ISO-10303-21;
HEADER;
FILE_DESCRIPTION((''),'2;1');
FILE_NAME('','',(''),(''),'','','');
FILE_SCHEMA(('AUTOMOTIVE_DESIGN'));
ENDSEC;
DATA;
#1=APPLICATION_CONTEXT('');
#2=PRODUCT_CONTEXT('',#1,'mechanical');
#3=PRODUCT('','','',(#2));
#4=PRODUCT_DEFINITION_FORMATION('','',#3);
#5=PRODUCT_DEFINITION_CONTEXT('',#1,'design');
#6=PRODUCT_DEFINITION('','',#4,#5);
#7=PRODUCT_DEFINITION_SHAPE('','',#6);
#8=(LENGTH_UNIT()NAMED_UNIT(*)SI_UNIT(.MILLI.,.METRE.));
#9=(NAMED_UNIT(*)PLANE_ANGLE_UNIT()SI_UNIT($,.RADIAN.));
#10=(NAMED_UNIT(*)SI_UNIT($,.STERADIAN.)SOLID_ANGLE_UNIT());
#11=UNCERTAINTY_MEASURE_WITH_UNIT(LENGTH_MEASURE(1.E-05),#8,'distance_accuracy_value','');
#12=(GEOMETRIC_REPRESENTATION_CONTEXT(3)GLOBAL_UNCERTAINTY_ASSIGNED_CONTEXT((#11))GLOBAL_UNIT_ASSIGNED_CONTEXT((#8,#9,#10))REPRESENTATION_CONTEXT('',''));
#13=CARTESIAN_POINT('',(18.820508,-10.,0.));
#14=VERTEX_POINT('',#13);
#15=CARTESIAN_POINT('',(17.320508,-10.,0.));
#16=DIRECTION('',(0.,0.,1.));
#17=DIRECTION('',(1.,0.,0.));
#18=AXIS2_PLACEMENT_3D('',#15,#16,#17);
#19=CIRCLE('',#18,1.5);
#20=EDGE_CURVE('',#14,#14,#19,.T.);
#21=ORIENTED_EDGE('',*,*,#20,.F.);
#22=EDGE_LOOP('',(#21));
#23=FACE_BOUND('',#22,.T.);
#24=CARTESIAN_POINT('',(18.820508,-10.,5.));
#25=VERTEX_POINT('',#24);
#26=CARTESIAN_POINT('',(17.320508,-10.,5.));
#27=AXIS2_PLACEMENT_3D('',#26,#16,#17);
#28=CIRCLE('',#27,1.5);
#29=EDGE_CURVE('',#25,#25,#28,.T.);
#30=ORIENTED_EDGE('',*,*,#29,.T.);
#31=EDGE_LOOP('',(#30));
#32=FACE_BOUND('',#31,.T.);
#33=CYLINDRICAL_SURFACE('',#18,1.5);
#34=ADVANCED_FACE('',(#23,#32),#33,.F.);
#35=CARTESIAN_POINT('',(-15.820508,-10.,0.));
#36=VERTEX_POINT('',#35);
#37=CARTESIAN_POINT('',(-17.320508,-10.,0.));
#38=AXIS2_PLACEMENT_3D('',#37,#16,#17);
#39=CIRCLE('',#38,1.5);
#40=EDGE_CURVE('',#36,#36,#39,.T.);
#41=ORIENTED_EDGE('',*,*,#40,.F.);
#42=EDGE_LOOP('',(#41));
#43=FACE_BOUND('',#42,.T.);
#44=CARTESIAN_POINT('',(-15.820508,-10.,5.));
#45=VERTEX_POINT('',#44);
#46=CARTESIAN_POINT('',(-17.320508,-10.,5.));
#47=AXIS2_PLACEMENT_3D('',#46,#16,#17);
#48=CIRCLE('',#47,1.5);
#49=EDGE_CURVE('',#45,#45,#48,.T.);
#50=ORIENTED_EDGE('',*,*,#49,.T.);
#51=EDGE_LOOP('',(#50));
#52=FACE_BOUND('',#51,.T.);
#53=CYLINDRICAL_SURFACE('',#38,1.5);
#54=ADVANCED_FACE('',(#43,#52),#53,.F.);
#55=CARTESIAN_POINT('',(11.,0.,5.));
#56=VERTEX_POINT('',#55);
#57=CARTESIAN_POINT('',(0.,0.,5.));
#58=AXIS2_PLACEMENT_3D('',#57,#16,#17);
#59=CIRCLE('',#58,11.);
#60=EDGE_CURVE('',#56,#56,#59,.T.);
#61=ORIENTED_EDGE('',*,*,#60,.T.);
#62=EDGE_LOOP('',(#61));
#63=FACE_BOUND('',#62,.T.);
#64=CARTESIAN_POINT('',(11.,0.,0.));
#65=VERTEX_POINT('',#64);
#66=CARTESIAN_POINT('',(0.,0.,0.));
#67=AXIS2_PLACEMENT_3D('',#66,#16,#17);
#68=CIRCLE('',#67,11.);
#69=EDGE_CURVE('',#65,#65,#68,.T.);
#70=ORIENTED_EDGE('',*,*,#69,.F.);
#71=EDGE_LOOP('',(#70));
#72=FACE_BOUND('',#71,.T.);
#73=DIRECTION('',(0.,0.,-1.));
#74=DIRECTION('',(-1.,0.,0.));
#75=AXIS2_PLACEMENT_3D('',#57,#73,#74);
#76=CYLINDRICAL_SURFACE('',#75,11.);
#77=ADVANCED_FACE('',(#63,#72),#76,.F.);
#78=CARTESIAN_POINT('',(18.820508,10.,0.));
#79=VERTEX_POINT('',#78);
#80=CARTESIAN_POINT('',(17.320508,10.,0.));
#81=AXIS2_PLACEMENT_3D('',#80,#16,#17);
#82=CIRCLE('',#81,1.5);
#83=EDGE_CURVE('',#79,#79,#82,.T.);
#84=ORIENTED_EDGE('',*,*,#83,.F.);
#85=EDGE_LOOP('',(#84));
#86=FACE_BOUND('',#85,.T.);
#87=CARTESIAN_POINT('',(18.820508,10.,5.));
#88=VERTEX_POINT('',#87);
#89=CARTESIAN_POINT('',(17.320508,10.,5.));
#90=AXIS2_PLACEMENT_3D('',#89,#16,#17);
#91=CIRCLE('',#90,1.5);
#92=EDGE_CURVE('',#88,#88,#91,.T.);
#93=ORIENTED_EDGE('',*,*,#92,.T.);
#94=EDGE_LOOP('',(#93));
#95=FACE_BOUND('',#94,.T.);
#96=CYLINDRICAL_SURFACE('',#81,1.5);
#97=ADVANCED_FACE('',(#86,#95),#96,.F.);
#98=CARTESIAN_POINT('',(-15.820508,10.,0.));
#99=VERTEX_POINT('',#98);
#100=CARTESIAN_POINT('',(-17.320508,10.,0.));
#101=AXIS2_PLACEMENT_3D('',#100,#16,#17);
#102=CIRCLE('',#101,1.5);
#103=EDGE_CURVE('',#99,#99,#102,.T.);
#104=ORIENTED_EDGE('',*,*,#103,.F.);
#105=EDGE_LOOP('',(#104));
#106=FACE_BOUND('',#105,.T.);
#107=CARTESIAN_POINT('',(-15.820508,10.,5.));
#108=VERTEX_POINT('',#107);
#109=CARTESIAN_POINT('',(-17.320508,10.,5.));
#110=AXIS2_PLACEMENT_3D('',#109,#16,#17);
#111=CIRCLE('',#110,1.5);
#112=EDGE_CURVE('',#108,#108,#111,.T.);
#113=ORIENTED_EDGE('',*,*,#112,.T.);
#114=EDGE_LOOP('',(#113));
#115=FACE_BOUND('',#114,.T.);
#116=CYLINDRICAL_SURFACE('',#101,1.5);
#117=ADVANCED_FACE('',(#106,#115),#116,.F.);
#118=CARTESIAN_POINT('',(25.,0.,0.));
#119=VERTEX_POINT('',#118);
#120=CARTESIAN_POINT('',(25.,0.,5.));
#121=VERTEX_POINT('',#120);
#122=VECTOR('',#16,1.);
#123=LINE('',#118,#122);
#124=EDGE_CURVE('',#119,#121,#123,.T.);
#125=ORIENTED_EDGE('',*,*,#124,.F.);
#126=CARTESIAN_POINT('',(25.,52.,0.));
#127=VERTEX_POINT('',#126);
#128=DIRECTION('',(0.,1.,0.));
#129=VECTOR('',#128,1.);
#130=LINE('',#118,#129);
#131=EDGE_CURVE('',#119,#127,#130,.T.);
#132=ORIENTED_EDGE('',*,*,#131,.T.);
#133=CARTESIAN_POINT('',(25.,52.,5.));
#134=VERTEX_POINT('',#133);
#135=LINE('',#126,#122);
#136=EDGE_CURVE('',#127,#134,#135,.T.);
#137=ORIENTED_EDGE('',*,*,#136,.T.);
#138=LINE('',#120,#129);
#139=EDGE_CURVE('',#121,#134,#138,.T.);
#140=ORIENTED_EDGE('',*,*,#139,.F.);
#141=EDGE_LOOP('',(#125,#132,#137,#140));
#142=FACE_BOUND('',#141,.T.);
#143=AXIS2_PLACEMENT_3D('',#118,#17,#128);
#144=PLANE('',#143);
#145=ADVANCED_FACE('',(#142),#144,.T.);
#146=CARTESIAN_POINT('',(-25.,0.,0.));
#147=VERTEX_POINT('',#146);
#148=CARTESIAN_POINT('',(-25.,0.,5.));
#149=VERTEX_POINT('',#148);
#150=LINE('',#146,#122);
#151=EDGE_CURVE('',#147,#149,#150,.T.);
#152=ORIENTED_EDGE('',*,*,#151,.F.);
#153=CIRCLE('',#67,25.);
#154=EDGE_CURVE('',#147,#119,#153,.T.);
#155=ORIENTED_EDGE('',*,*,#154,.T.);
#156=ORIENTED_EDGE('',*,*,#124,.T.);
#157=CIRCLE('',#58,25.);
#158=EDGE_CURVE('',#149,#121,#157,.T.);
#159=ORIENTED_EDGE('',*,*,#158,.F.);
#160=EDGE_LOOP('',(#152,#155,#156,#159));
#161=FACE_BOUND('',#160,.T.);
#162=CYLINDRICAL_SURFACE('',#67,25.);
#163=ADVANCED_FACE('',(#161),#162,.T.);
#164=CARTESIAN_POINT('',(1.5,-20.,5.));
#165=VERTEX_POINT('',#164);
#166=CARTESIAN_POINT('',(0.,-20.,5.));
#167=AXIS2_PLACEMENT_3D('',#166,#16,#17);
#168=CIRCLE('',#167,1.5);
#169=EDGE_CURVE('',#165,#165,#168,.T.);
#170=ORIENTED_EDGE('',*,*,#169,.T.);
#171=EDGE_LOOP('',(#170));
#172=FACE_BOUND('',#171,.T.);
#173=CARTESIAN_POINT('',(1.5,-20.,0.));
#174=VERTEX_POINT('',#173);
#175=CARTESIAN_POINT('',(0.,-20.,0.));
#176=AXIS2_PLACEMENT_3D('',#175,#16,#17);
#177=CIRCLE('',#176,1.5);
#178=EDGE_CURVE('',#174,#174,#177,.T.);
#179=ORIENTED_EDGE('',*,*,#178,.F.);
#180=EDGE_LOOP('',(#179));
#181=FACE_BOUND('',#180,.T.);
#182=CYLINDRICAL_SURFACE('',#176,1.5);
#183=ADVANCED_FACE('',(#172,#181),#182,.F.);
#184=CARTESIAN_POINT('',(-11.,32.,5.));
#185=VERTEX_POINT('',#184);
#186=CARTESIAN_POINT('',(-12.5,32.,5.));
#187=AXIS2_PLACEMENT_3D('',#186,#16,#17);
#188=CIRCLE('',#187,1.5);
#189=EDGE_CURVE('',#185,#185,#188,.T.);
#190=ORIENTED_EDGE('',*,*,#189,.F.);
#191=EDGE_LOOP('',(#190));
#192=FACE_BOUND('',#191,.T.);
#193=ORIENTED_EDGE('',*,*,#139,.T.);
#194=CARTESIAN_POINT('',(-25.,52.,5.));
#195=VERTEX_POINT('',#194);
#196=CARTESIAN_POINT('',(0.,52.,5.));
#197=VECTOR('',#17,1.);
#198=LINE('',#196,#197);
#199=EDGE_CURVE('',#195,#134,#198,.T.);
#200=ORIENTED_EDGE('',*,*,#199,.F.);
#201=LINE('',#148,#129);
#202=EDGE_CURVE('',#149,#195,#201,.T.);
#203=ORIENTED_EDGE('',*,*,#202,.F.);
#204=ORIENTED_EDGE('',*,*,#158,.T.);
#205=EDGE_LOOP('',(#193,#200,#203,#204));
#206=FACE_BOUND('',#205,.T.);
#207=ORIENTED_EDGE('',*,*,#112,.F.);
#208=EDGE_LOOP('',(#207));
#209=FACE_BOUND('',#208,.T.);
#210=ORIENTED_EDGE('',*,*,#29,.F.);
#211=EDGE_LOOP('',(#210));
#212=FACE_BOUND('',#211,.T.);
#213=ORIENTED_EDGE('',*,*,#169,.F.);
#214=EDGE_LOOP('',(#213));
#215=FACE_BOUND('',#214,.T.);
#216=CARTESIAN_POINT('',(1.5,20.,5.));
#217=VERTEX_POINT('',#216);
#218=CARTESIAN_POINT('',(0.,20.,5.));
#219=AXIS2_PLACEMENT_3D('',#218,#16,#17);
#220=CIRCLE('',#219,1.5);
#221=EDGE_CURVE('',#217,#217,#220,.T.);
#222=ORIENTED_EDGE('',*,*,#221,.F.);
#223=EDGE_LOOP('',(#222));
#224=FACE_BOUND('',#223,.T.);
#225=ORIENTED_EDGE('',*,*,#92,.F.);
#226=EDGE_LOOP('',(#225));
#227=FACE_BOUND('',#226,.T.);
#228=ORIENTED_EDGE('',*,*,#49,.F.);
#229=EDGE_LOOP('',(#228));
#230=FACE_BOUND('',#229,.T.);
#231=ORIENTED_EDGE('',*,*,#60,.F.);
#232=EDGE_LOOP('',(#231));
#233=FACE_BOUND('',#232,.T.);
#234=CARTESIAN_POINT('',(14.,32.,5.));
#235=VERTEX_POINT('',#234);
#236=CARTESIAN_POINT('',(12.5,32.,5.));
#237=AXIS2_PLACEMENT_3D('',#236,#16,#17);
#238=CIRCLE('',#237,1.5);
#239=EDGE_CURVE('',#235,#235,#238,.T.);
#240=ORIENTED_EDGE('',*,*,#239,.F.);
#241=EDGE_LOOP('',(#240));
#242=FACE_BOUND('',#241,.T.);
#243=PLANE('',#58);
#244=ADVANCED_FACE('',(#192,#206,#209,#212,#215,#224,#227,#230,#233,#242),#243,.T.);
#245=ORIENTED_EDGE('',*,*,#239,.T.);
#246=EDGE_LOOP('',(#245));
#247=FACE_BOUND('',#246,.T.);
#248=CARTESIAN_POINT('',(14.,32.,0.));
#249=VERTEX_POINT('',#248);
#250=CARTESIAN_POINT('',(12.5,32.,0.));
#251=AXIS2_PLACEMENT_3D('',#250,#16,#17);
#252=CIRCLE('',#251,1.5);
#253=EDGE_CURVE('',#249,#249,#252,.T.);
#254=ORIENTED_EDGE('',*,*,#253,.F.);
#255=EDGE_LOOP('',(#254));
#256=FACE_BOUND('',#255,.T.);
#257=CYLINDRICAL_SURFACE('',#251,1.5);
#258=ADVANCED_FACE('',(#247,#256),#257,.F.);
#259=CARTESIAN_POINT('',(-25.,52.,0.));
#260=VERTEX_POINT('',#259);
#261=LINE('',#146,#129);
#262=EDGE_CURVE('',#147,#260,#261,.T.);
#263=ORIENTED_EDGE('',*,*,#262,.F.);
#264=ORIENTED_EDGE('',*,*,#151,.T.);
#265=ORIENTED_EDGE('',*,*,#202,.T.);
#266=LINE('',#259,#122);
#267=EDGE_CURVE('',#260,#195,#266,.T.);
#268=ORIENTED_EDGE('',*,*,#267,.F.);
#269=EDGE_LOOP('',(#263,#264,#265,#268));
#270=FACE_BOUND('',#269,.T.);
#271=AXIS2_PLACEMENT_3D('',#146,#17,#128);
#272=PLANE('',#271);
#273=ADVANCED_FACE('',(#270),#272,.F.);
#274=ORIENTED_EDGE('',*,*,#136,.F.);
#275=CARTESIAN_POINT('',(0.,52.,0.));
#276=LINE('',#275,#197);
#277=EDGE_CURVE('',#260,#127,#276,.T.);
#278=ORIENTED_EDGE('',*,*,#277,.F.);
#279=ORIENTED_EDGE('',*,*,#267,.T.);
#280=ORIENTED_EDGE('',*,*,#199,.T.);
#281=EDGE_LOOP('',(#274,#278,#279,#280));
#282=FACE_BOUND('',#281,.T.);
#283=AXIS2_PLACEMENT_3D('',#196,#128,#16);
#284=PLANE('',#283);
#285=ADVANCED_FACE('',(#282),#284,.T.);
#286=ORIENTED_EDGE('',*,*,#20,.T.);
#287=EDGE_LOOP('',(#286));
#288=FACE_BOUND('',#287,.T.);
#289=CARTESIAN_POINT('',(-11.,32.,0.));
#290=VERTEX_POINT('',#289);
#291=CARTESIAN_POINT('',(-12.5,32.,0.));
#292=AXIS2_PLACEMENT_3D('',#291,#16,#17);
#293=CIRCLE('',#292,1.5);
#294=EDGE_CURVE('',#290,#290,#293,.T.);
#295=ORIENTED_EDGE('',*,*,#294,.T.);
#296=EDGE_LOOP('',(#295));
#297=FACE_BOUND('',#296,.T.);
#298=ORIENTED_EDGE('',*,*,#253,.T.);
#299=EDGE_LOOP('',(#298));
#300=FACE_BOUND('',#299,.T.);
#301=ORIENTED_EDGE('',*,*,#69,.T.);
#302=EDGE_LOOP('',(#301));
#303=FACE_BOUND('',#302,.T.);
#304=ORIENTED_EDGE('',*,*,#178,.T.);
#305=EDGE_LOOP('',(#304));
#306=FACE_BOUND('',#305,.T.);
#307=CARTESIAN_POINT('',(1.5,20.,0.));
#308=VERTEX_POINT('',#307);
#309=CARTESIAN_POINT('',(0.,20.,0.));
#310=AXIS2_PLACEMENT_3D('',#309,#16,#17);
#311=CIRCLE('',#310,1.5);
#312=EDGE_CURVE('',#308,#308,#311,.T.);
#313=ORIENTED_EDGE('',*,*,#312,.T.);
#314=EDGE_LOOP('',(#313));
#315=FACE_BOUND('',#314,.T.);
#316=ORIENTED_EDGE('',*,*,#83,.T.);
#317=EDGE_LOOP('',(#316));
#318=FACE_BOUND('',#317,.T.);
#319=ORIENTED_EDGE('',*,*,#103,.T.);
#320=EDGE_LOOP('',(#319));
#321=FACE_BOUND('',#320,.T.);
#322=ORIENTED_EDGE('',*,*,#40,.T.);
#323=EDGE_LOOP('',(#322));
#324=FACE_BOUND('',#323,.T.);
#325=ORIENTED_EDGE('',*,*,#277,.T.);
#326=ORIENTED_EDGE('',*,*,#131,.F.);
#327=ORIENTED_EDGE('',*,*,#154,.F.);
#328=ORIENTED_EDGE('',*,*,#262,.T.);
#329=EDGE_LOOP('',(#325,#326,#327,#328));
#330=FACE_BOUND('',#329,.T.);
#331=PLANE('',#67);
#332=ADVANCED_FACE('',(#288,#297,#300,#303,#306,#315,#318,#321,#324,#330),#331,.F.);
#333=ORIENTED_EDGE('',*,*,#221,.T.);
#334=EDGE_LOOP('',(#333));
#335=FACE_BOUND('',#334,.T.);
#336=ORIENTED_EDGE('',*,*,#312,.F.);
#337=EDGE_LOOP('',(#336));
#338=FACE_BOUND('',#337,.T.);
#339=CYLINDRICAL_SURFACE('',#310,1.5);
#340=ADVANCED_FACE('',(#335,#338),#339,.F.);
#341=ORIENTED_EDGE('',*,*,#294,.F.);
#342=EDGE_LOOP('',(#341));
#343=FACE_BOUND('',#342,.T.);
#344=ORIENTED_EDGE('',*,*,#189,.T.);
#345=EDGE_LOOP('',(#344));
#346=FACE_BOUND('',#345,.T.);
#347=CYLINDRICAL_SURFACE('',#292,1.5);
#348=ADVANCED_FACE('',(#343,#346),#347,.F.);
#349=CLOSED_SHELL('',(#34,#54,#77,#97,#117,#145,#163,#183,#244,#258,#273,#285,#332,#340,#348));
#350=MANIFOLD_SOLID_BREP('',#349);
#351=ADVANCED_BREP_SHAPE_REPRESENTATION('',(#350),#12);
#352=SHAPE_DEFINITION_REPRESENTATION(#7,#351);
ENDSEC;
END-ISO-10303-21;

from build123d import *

# Parameters (mm, degrees)
ESQUISSE1_W             = 100
ESQUISSE1_H             = 100.548113933
ESQUISSE1_R             = 11
BOSS_EXTRU_1_DEPTH      = 5
ESQUISSE2_R             = 1.5
ENL_V_MAT_EXTRU_1_DEPTH = 73.311824759


with BuildPart() as part:
    # Esquisse1 → Boss.-Extru.1 (new body)
    with BuildSketch(Plane.XY):
        with Locations((0, 1.725943033)):
            Rectangle(ESQUISSE1_W, ESQUISSE1_H)
        Circle(ESQUISSE1_R, mode=Mode.SUBTRACT)
    extrude(amount=BOSS_EXTRU_1_DEPTH)

    # Esquisse2 → Enlèv. mat.-Extru.1 (cut, through all)
    with BuildSketch(Plane.XY.offset(5)):
        with BuildLine():
            Line((25, 52), (25, 0))
            ThreePointArc((25, 0), (0, -25), (-25, 0))
            Line((-25, 0), (-25, 52))
            Line((-25, 52), (-50, 52))
            Line((-50, 52), (-50, -48.548113933))
            Line((-50, -48.548113933), (50, -48.548113933))
            Line((50, -48.548113933), (50, 52))
            Line((50, 52), (25, 52))
        make_face()
        with Locations((0, 20)):
            Circle(ESQUISSE2_R)
        with Locations((17.320508076, 10)):
            Circle(ESQUISSE2_R)
        with Locations((17.320508076, -10)):
            Circle(ESQUISSE2_R)
        with Locations((0, -20)):
            Circle(ESQUISSE2_R)
        with Locations((-17.320508076, -10)):
            Circle(ESQUISSE2_R)
        with Locations((-17.320508076, 10)):
            Circle(ESQUISSE2_R)
        with Locations((-12.5, 32)):
            Circle(ESQUISSE2_R)
        with Locations((12.5, 32)):
            Circle(ESQUISSE2_R)
    extrude(amount=-ENL_V_MAT_EXTRU_1_DEPTH, mode=Mode.SUBTRACT)


solid = part.part
